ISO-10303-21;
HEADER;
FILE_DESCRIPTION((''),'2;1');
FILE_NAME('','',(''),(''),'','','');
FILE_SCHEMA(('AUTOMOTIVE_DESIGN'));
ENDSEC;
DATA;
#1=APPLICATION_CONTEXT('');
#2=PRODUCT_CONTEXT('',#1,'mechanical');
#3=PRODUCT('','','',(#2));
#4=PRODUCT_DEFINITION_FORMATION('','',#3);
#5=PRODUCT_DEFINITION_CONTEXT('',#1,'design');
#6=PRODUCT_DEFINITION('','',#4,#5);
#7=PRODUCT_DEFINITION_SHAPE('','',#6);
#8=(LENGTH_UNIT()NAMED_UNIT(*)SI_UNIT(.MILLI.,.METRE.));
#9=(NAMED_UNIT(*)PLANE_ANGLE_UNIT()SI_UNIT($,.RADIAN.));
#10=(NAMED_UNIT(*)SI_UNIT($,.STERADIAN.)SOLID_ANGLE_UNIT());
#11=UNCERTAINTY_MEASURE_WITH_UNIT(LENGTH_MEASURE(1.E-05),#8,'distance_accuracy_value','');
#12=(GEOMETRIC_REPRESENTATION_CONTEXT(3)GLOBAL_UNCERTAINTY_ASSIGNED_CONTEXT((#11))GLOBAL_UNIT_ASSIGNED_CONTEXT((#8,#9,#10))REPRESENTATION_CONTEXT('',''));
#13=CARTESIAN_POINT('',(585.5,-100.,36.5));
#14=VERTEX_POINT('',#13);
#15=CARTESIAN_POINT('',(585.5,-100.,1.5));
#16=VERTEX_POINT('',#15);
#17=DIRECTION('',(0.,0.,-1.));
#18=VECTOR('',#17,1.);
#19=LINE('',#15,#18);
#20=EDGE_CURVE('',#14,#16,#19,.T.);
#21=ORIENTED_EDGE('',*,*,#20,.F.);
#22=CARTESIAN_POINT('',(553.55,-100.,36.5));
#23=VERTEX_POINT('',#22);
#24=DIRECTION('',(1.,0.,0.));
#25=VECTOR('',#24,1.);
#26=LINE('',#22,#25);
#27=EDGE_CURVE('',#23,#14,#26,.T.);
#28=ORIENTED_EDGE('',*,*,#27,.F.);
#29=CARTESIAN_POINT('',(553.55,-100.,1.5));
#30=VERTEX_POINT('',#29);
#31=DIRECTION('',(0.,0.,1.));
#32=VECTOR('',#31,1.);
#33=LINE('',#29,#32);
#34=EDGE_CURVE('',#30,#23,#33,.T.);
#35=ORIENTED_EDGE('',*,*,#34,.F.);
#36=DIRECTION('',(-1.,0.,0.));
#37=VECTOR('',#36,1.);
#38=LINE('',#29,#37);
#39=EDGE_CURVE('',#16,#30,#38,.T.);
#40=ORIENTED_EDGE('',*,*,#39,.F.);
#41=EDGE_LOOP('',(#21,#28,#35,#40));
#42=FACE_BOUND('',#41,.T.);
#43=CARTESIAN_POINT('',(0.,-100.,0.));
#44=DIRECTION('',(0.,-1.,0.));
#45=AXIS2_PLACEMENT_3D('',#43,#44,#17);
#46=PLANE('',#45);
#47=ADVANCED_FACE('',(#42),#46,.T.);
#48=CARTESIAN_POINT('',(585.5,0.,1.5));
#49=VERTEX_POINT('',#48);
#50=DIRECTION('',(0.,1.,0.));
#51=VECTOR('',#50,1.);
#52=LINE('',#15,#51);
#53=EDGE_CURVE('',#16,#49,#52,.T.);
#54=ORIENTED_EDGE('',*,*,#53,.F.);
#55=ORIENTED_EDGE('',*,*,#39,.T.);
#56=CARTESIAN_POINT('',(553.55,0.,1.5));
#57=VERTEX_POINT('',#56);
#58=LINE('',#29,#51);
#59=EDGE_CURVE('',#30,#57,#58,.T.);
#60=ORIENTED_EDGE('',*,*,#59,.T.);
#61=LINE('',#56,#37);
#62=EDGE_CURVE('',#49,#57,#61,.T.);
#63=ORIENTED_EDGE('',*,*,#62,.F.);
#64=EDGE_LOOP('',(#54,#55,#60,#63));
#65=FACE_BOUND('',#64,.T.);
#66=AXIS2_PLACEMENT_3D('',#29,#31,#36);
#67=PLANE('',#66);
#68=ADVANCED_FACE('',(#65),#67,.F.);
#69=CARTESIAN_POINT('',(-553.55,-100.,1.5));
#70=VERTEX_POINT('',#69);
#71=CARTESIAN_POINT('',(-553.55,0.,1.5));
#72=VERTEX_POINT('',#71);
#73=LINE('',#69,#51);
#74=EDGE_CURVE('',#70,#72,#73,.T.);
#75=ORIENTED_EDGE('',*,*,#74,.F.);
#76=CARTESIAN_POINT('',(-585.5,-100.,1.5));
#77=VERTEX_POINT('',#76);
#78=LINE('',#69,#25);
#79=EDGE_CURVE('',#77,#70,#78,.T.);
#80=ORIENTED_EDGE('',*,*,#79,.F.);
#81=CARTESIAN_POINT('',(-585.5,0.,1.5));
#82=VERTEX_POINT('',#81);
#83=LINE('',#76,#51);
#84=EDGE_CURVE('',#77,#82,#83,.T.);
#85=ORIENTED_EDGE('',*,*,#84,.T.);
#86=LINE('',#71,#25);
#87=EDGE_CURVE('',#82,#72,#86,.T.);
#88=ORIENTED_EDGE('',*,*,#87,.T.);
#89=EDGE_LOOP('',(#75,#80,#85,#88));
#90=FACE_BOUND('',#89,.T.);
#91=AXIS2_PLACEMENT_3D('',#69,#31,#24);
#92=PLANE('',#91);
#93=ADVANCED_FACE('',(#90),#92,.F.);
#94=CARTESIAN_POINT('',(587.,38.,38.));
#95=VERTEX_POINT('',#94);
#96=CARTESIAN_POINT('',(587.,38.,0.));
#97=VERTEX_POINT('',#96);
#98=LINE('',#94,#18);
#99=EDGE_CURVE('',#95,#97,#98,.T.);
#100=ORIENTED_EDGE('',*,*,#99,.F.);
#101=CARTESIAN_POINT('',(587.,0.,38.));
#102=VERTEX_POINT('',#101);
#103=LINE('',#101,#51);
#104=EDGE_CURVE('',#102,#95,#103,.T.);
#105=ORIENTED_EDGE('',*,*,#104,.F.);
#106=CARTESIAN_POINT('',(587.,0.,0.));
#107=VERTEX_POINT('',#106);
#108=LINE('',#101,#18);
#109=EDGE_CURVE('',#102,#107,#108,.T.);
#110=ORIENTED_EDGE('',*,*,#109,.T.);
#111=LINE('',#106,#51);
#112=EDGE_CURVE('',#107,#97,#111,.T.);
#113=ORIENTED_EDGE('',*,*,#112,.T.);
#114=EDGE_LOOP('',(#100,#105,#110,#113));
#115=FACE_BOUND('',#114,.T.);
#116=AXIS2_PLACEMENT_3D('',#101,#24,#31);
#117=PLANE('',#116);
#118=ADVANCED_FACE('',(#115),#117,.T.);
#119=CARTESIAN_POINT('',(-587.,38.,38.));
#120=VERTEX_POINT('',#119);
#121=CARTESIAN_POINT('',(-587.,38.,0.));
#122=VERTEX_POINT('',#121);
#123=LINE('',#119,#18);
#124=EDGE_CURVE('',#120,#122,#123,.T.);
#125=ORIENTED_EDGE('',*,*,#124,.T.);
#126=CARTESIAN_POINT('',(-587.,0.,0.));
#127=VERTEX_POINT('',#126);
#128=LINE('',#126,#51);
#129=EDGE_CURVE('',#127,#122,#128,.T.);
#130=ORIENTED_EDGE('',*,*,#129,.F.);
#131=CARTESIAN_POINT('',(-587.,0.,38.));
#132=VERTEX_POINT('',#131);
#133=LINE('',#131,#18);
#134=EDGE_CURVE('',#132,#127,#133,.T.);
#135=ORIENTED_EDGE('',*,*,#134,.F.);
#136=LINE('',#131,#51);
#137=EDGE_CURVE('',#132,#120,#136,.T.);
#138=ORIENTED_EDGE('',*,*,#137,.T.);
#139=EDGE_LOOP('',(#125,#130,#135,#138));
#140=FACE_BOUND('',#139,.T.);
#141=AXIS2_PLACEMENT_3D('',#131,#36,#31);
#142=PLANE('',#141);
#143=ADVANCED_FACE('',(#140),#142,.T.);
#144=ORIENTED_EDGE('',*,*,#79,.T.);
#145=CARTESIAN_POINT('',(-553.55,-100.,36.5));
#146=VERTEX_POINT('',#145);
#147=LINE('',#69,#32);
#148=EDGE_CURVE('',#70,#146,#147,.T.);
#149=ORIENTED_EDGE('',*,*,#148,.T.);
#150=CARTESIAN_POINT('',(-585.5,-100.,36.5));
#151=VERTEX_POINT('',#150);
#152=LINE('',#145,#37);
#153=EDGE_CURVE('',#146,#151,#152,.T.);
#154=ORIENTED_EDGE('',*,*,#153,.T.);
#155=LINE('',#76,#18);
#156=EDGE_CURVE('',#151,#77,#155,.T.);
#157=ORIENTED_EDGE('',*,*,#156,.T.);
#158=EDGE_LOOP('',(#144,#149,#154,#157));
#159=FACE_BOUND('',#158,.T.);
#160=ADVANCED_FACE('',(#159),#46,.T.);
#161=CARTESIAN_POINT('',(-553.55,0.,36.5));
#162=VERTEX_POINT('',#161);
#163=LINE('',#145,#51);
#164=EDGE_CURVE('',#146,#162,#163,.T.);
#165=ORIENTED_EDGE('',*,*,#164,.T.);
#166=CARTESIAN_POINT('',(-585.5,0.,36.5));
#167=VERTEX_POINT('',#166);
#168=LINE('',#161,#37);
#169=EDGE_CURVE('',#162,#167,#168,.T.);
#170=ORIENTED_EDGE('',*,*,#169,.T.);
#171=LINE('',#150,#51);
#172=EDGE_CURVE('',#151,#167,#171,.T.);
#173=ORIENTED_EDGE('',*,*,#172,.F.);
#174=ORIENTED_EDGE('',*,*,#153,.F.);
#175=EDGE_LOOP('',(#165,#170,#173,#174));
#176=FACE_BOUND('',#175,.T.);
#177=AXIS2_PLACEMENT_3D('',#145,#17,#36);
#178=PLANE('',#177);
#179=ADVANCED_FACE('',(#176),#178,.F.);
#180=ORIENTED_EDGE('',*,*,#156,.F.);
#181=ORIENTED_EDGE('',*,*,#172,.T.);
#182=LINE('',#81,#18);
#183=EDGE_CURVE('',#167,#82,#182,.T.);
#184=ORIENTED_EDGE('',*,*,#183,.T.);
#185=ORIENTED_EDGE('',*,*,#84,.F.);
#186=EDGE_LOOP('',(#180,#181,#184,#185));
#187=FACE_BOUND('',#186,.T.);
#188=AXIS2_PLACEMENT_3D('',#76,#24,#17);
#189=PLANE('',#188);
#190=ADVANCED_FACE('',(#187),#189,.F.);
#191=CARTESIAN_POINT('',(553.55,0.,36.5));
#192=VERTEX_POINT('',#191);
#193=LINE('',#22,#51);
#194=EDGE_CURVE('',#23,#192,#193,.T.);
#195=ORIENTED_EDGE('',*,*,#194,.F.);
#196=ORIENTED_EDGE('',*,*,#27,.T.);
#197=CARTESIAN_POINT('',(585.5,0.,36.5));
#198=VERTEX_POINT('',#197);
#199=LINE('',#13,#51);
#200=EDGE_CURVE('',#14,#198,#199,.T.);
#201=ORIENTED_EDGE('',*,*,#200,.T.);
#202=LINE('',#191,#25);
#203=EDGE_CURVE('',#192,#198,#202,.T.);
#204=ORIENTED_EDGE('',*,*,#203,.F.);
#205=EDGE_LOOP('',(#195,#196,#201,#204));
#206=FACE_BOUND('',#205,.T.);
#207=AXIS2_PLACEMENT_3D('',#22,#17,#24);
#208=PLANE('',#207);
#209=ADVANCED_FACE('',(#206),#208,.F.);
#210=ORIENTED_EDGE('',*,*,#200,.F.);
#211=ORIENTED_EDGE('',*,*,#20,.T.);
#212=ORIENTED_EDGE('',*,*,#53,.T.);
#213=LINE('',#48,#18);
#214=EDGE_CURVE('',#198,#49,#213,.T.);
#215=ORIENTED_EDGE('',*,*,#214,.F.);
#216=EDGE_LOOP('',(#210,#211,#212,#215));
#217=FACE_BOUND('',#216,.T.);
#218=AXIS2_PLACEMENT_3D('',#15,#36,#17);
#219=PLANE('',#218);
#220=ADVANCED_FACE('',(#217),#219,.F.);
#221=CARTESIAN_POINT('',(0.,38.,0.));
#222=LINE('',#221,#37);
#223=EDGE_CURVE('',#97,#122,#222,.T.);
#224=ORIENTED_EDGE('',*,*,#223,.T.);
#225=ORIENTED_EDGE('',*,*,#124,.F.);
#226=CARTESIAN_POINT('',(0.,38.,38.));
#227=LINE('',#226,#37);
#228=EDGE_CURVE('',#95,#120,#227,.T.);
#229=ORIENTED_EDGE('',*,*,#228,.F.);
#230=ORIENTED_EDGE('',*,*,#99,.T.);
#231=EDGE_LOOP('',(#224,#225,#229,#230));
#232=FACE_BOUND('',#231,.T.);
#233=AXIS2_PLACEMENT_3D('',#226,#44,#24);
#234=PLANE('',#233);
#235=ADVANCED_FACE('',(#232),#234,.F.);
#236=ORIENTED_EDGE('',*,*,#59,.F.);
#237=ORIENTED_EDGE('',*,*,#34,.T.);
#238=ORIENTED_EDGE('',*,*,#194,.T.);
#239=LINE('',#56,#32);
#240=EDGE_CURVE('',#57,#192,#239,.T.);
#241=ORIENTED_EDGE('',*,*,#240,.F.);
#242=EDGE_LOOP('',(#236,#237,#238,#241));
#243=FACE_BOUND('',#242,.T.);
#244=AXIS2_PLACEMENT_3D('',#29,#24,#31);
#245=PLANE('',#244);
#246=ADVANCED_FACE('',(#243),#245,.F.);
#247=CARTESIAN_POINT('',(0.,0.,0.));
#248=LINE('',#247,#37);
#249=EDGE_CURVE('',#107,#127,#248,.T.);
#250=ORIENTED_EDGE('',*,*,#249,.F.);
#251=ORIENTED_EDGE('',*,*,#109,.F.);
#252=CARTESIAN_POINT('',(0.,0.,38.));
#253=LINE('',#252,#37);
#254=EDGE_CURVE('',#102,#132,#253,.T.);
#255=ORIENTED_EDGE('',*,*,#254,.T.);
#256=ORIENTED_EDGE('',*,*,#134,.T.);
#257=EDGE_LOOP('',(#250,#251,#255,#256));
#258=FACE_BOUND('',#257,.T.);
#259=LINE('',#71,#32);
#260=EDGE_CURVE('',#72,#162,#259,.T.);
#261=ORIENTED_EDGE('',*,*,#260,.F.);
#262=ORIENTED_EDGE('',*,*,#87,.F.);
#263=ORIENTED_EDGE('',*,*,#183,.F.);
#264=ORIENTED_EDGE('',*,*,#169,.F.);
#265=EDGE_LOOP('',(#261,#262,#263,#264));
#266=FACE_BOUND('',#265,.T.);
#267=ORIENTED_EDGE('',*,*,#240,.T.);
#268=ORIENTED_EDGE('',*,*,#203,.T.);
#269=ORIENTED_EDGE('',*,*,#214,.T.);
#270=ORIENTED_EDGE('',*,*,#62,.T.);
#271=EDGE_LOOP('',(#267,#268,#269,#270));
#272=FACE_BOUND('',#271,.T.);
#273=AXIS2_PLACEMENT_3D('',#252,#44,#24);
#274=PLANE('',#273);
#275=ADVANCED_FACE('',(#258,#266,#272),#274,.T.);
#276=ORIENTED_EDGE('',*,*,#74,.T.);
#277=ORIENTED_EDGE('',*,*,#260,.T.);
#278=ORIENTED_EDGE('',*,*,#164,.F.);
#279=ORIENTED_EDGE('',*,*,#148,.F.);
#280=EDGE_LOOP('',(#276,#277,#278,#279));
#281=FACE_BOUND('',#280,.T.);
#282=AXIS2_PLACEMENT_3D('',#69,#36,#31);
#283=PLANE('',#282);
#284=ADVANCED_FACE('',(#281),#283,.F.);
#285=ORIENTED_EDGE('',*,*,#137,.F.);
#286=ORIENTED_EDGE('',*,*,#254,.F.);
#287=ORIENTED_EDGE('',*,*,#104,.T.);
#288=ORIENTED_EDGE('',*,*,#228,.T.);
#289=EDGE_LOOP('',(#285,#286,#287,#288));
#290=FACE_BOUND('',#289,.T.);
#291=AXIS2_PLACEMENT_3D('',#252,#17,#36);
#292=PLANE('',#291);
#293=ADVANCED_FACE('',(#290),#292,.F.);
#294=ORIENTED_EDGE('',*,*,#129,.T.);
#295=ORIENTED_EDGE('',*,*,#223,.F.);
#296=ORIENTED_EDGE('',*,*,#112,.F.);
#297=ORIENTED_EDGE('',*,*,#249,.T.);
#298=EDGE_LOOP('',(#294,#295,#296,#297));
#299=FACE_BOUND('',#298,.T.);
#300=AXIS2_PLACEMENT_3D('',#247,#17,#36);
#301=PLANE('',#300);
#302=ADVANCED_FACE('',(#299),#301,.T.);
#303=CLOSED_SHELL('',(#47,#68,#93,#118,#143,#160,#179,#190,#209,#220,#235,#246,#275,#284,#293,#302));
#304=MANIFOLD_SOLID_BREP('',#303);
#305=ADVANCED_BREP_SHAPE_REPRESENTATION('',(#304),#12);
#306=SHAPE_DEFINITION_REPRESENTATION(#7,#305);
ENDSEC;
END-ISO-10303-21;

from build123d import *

# Parameters (mm, degrees)
SKETCH2_W           = 587
SKETCH2_H           = 38
EXTRUDE_THIN1_DEPTH = 38
SKETCH3_W           = 31.95
SKETCH3_H           = 35
BOSS_EXTRUDE1_DEPTH = 100


with BuildPart() as part:
    # Sketch2 → Extrude-Thin1 (new body)
    with BuildSketch(Plane.XY):
        with Locations((-293.5, 19)):
            Rectangle(SKETCH2_W, SKETCH2_H)
    extrude(amount=EXTRUDE_THIN1_DEPTH)

    # Sketch3 → Boss-Extrude1 (add)
    with BuildSketch(Plane.XZ):
        with Locations((-569.525, 19)):
            Rectangle(SKETCH3_W, SKETCH3_H)
    extrude(amount=BOSS_EXTRUDE1_DEPTH)

    # Mirror1: part across plane


with BuildPart() as part_1:
    add(part.part)
    add(part.part.mirror(Plane(origin=(0, 38, 38), x_dir=(0, 0, 1), z_dir=(1, 0, 0))))


solid = part_1.part
